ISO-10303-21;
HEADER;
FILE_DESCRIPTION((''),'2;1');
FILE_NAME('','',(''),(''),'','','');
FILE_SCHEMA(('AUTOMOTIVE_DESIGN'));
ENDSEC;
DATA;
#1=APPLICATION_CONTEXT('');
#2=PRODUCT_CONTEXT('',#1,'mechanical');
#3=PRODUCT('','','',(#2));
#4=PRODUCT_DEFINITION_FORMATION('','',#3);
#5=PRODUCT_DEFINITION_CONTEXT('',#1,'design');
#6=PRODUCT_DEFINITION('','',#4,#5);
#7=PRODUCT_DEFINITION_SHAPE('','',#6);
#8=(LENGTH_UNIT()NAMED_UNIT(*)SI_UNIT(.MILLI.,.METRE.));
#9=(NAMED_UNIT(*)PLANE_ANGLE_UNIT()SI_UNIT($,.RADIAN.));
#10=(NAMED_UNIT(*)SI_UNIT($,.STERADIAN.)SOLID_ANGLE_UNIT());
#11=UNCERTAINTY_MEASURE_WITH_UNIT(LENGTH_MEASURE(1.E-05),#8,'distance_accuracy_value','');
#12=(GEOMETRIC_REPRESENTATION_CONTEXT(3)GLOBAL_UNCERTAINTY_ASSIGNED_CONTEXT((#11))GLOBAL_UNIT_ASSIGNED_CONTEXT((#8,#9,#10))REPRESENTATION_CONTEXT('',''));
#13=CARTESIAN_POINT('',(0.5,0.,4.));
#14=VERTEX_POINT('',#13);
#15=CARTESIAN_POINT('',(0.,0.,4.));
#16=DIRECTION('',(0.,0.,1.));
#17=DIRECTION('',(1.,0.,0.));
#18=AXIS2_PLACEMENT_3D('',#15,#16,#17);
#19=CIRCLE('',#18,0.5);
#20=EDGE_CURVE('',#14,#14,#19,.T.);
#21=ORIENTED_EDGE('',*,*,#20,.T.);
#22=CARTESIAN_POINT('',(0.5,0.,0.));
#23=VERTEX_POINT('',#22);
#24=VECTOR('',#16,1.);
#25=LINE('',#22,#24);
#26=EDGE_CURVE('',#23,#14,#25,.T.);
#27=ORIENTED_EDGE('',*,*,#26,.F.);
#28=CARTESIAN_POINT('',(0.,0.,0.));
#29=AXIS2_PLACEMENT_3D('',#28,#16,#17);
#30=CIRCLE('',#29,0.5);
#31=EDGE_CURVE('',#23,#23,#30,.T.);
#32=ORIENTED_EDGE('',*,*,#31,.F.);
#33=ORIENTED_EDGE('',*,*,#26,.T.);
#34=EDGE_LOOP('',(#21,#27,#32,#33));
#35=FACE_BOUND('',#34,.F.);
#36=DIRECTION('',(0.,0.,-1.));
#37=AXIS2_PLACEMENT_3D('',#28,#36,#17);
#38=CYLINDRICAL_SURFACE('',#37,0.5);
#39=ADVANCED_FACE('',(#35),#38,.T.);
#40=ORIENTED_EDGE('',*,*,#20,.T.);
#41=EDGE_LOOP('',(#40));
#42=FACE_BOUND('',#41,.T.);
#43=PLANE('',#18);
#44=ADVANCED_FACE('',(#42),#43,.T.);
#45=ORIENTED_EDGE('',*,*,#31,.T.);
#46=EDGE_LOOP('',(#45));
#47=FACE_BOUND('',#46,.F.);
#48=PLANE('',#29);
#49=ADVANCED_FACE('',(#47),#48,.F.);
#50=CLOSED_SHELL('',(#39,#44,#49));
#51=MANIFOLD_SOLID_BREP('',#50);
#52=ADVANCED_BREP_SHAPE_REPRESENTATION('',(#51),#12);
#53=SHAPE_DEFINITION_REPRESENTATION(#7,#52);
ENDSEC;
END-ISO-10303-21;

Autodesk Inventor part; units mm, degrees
ref_plane "YZ Plane" through (0, 0, 0) normal (1, 0, 0) x (0, 1, 0)
ref_plane "XZ Plane" through (0, 0, 0) normal (0, 1, 0) x (-1, 0, 0)
ref_plane "XY Plane" through (0, 0, 0) normal (0, 0, 1) x (1, 0, 0)
sketch "草圖1" plane through (0, 0, 0) normal (0, 0, 1) x (1, 0, 0)
  circle A0 centre (0, 0) radius 0.5
  dimension "d0" = 1
extrude "擠出1" add sketch "草圖1" along normal blind 4
properties part number "4444"
